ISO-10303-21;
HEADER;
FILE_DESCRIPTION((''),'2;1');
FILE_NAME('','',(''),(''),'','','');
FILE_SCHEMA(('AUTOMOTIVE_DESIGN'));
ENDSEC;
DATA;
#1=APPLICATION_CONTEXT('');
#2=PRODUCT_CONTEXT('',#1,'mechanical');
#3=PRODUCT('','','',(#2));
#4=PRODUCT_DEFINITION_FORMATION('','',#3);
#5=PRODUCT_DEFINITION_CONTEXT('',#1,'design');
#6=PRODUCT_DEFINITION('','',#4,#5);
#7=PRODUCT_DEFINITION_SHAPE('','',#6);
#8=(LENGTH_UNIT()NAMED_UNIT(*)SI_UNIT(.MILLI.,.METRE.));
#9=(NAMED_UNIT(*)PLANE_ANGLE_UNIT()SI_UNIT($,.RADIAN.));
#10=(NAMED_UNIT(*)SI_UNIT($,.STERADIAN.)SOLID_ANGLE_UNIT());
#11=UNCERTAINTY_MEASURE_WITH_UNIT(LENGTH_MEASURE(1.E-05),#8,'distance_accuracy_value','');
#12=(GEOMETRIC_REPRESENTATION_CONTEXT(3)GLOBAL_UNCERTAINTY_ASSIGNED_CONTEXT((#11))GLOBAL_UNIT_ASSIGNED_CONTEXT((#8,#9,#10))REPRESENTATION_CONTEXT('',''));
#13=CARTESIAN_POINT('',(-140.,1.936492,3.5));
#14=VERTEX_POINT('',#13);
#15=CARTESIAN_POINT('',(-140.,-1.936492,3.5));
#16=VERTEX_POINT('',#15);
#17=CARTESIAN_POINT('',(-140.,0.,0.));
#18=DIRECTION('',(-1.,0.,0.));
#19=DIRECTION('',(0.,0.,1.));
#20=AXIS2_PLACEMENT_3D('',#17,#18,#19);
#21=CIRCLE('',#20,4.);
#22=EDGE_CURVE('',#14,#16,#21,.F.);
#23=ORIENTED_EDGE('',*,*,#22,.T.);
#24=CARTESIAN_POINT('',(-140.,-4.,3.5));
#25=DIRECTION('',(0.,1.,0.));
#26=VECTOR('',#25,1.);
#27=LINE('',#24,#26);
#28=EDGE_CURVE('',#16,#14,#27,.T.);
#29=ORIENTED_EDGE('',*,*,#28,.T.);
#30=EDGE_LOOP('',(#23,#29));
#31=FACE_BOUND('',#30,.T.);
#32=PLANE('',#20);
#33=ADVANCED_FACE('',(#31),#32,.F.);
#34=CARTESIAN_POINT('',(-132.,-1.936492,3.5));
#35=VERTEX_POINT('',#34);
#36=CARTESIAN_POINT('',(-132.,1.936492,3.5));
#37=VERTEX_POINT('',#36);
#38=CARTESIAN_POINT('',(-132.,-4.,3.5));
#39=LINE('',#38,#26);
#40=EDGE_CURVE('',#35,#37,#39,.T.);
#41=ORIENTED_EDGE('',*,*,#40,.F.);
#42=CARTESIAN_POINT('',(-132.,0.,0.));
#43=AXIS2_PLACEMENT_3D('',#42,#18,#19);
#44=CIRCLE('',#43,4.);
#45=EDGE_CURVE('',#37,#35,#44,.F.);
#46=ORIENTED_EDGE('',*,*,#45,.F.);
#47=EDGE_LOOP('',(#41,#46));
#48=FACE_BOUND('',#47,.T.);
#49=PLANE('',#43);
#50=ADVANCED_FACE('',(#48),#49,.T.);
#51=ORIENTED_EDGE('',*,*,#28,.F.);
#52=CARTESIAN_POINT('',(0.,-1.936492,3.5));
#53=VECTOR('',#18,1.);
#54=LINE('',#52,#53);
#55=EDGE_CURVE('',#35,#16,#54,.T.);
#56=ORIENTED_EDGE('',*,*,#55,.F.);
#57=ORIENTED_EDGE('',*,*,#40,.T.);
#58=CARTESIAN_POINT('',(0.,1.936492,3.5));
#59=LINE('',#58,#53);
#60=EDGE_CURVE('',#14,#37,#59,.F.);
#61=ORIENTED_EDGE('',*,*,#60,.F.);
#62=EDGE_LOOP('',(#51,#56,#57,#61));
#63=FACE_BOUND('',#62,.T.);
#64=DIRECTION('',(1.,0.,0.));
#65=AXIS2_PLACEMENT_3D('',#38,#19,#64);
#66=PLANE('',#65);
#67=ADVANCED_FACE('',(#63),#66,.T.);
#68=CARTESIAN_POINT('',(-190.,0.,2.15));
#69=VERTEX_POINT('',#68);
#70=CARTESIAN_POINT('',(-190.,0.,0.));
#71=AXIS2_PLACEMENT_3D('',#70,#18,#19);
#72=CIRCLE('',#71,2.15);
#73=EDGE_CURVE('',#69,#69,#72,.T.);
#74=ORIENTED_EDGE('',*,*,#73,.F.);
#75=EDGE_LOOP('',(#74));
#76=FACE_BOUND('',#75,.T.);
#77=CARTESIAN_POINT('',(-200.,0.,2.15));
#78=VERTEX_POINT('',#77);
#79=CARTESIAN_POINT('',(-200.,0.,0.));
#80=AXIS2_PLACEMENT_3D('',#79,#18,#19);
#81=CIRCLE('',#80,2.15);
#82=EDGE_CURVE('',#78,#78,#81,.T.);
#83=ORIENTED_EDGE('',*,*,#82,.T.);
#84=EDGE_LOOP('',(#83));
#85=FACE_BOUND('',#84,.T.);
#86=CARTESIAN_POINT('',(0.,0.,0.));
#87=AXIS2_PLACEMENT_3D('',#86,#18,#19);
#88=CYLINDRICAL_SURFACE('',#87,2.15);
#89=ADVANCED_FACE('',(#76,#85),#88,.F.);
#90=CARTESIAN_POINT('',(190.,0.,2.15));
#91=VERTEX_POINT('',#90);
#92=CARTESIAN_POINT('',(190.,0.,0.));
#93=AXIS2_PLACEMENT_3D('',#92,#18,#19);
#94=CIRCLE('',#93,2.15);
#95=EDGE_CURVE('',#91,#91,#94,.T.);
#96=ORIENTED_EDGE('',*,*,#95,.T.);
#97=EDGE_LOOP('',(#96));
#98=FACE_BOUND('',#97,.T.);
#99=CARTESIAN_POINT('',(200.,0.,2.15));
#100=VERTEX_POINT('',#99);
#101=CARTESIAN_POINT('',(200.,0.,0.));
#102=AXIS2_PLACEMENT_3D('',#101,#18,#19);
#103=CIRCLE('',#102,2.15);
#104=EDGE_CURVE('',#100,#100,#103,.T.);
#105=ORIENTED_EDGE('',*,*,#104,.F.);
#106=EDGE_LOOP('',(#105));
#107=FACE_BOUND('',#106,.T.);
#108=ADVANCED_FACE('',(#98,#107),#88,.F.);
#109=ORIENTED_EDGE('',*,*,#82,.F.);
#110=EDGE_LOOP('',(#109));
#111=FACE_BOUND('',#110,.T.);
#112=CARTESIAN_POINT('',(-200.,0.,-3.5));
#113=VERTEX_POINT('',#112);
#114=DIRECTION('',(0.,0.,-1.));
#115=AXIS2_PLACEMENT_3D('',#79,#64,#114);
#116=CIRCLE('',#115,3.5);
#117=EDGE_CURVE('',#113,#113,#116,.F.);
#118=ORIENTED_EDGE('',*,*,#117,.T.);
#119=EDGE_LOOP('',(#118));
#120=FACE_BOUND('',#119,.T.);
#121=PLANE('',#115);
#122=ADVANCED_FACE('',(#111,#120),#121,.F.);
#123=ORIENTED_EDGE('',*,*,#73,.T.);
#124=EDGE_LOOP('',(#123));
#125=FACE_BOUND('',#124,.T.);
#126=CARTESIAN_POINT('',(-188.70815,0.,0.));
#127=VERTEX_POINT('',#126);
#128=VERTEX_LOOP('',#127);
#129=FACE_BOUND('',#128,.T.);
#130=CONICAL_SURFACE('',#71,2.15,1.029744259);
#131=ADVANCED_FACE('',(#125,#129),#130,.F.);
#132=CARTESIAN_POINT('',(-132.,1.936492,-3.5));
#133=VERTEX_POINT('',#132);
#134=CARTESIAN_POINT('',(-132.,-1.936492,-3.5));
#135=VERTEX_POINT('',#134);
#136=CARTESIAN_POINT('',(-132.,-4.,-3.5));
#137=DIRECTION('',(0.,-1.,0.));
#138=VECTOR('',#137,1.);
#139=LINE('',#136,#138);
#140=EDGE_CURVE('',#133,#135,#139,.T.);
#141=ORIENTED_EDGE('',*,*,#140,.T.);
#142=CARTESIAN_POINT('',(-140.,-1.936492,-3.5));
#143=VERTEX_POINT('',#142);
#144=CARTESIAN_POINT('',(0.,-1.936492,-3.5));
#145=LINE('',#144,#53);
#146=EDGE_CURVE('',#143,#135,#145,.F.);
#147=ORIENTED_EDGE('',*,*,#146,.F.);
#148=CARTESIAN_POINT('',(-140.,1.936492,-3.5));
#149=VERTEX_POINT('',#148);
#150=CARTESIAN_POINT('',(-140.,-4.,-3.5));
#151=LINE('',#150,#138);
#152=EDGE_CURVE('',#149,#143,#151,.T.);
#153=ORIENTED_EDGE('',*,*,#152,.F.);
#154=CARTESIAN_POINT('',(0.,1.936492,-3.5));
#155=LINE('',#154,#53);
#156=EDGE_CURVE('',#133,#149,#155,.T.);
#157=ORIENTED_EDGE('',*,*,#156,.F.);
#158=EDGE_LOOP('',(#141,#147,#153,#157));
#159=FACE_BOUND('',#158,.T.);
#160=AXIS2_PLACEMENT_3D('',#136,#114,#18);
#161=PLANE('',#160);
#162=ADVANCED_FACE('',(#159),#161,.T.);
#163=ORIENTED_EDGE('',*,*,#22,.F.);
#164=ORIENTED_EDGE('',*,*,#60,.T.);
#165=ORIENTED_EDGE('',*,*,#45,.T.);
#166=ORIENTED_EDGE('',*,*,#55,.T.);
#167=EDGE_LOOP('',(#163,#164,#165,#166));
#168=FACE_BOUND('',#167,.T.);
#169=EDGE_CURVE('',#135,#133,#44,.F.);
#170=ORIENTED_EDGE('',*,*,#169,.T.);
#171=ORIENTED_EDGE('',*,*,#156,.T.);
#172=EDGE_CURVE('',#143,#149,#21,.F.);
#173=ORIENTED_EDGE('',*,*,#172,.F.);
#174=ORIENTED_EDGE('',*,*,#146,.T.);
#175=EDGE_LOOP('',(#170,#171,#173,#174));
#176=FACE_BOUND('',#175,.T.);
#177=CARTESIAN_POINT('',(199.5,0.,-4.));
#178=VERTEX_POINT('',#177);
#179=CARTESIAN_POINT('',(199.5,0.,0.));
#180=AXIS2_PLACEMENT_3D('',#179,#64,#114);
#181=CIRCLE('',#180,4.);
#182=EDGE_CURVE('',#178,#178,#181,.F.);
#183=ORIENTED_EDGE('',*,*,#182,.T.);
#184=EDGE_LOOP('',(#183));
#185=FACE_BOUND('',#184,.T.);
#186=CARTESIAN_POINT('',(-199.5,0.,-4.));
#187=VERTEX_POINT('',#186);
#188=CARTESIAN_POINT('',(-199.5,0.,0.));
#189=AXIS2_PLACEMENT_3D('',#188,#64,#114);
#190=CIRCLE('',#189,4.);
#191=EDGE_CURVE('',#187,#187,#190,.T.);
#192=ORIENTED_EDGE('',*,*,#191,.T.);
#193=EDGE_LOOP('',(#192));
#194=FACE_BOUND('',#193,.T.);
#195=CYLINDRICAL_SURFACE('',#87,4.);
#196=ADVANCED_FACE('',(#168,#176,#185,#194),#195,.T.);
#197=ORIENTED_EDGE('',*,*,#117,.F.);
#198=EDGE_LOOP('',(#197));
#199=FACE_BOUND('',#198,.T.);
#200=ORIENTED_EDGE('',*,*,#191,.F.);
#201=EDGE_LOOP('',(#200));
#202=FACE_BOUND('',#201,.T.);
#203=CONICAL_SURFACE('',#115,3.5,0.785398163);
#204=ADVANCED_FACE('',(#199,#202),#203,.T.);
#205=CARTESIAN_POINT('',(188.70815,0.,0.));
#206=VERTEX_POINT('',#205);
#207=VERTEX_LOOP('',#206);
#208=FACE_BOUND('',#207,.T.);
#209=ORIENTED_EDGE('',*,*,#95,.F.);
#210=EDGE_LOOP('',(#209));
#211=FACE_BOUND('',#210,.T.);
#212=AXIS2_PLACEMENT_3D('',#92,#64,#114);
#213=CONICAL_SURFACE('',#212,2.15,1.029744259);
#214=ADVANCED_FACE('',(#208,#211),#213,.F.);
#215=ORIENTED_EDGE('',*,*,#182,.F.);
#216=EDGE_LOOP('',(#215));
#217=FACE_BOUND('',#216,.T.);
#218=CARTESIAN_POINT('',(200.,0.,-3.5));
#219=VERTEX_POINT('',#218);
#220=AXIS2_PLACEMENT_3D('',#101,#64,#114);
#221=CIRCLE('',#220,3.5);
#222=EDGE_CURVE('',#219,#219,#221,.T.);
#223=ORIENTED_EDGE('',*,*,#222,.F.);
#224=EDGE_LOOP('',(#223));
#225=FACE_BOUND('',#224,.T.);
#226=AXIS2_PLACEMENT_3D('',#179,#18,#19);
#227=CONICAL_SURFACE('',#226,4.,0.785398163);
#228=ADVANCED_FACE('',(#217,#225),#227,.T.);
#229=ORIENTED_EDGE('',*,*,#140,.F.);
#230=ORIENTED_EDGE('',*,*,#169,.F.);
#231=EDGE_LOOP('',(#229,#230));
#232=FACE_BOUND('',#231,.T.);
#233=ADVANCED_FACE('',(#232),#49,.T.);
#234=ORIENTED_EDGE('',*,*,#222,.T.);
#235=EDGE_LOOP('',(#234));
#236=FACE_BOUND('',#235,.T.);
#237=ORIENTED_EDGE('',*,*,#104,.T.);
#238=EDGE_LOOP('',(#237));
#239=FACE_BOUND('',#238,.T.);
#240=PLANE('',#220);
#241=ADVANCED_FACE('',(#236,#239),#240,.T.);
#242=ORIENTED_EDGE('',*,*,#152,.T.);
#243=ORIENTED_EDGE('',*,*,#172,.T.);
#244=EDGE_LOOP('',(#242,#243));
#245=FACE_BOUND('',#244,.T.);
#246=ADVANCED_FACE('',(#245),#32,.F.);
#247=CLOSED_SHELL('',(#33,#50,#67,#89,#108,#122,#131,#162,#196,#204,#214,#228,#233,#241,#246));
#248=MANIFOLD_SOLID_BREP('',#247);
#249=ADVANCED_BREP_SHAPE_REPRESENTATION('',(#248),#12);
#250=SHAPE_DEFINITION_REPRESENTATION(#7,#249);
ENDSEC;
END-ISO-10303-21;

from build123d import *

# Parameters (mm, degrees)
CHAMFER_1_SIZE       = 0.5
SKETCH_2_OUTSIDE_W   = 90.032
SKETCH_2_OUTSIDE_H   = 90.032
SKETCH_2_OUTSIDE_W_2 = 7
SKETCH_2_OUTSIDE_H_2 = 8
CUT_EXTRUDE_1_DEPTH  = 8


with BuildPart() as part:
    # 草图1 → 旋转1 (revolve)
    with BuildSketch(Plane.XY, mode=Mode.PRIVATE) as revolve_1_sk:
        Polygon((-200, 2.15), (-190, 2.15), (-188.708149669, 0), (188.708149669, 0), (190, 2.15), (200, 2.15), (200, 4), (-200, 4), align=None)
    revolve(revolve_1_sk.sketch.rotate(Axis((0, 0, 0), (1, 0, 0)), 90), axis=Axis((0, 0, 0), (1, 0, 0)))

    # 倒角1
    chamfer_1_edges = [part.edges().sort_by_distance(p)[0] for p in [
        (-200, 0, -4),
        (200, 0, -4),
    ]]
    chamfer(chamfer_1_edges, length=CHAMFER_1_SIZE)

    # 草图2 outside → 切除-拉伸1 (cut)
    with BuildSketch(Plane.ZY.offset(140)):
        Rectangle(SKETCH_2_OUTSIDE_W, SKETCH_2_OUTSIDE_H)
        Rectangle(SKETCH_2_OUTSIDE_W_2, SKETCH_2_OUTSIDE_H_2, mode=Mode.SUBTRACT)
    extrude(amount=-CUT_EXTRUDE_1_DEPTH, mode=Mode.SUBTRACT)


solid = part.part
